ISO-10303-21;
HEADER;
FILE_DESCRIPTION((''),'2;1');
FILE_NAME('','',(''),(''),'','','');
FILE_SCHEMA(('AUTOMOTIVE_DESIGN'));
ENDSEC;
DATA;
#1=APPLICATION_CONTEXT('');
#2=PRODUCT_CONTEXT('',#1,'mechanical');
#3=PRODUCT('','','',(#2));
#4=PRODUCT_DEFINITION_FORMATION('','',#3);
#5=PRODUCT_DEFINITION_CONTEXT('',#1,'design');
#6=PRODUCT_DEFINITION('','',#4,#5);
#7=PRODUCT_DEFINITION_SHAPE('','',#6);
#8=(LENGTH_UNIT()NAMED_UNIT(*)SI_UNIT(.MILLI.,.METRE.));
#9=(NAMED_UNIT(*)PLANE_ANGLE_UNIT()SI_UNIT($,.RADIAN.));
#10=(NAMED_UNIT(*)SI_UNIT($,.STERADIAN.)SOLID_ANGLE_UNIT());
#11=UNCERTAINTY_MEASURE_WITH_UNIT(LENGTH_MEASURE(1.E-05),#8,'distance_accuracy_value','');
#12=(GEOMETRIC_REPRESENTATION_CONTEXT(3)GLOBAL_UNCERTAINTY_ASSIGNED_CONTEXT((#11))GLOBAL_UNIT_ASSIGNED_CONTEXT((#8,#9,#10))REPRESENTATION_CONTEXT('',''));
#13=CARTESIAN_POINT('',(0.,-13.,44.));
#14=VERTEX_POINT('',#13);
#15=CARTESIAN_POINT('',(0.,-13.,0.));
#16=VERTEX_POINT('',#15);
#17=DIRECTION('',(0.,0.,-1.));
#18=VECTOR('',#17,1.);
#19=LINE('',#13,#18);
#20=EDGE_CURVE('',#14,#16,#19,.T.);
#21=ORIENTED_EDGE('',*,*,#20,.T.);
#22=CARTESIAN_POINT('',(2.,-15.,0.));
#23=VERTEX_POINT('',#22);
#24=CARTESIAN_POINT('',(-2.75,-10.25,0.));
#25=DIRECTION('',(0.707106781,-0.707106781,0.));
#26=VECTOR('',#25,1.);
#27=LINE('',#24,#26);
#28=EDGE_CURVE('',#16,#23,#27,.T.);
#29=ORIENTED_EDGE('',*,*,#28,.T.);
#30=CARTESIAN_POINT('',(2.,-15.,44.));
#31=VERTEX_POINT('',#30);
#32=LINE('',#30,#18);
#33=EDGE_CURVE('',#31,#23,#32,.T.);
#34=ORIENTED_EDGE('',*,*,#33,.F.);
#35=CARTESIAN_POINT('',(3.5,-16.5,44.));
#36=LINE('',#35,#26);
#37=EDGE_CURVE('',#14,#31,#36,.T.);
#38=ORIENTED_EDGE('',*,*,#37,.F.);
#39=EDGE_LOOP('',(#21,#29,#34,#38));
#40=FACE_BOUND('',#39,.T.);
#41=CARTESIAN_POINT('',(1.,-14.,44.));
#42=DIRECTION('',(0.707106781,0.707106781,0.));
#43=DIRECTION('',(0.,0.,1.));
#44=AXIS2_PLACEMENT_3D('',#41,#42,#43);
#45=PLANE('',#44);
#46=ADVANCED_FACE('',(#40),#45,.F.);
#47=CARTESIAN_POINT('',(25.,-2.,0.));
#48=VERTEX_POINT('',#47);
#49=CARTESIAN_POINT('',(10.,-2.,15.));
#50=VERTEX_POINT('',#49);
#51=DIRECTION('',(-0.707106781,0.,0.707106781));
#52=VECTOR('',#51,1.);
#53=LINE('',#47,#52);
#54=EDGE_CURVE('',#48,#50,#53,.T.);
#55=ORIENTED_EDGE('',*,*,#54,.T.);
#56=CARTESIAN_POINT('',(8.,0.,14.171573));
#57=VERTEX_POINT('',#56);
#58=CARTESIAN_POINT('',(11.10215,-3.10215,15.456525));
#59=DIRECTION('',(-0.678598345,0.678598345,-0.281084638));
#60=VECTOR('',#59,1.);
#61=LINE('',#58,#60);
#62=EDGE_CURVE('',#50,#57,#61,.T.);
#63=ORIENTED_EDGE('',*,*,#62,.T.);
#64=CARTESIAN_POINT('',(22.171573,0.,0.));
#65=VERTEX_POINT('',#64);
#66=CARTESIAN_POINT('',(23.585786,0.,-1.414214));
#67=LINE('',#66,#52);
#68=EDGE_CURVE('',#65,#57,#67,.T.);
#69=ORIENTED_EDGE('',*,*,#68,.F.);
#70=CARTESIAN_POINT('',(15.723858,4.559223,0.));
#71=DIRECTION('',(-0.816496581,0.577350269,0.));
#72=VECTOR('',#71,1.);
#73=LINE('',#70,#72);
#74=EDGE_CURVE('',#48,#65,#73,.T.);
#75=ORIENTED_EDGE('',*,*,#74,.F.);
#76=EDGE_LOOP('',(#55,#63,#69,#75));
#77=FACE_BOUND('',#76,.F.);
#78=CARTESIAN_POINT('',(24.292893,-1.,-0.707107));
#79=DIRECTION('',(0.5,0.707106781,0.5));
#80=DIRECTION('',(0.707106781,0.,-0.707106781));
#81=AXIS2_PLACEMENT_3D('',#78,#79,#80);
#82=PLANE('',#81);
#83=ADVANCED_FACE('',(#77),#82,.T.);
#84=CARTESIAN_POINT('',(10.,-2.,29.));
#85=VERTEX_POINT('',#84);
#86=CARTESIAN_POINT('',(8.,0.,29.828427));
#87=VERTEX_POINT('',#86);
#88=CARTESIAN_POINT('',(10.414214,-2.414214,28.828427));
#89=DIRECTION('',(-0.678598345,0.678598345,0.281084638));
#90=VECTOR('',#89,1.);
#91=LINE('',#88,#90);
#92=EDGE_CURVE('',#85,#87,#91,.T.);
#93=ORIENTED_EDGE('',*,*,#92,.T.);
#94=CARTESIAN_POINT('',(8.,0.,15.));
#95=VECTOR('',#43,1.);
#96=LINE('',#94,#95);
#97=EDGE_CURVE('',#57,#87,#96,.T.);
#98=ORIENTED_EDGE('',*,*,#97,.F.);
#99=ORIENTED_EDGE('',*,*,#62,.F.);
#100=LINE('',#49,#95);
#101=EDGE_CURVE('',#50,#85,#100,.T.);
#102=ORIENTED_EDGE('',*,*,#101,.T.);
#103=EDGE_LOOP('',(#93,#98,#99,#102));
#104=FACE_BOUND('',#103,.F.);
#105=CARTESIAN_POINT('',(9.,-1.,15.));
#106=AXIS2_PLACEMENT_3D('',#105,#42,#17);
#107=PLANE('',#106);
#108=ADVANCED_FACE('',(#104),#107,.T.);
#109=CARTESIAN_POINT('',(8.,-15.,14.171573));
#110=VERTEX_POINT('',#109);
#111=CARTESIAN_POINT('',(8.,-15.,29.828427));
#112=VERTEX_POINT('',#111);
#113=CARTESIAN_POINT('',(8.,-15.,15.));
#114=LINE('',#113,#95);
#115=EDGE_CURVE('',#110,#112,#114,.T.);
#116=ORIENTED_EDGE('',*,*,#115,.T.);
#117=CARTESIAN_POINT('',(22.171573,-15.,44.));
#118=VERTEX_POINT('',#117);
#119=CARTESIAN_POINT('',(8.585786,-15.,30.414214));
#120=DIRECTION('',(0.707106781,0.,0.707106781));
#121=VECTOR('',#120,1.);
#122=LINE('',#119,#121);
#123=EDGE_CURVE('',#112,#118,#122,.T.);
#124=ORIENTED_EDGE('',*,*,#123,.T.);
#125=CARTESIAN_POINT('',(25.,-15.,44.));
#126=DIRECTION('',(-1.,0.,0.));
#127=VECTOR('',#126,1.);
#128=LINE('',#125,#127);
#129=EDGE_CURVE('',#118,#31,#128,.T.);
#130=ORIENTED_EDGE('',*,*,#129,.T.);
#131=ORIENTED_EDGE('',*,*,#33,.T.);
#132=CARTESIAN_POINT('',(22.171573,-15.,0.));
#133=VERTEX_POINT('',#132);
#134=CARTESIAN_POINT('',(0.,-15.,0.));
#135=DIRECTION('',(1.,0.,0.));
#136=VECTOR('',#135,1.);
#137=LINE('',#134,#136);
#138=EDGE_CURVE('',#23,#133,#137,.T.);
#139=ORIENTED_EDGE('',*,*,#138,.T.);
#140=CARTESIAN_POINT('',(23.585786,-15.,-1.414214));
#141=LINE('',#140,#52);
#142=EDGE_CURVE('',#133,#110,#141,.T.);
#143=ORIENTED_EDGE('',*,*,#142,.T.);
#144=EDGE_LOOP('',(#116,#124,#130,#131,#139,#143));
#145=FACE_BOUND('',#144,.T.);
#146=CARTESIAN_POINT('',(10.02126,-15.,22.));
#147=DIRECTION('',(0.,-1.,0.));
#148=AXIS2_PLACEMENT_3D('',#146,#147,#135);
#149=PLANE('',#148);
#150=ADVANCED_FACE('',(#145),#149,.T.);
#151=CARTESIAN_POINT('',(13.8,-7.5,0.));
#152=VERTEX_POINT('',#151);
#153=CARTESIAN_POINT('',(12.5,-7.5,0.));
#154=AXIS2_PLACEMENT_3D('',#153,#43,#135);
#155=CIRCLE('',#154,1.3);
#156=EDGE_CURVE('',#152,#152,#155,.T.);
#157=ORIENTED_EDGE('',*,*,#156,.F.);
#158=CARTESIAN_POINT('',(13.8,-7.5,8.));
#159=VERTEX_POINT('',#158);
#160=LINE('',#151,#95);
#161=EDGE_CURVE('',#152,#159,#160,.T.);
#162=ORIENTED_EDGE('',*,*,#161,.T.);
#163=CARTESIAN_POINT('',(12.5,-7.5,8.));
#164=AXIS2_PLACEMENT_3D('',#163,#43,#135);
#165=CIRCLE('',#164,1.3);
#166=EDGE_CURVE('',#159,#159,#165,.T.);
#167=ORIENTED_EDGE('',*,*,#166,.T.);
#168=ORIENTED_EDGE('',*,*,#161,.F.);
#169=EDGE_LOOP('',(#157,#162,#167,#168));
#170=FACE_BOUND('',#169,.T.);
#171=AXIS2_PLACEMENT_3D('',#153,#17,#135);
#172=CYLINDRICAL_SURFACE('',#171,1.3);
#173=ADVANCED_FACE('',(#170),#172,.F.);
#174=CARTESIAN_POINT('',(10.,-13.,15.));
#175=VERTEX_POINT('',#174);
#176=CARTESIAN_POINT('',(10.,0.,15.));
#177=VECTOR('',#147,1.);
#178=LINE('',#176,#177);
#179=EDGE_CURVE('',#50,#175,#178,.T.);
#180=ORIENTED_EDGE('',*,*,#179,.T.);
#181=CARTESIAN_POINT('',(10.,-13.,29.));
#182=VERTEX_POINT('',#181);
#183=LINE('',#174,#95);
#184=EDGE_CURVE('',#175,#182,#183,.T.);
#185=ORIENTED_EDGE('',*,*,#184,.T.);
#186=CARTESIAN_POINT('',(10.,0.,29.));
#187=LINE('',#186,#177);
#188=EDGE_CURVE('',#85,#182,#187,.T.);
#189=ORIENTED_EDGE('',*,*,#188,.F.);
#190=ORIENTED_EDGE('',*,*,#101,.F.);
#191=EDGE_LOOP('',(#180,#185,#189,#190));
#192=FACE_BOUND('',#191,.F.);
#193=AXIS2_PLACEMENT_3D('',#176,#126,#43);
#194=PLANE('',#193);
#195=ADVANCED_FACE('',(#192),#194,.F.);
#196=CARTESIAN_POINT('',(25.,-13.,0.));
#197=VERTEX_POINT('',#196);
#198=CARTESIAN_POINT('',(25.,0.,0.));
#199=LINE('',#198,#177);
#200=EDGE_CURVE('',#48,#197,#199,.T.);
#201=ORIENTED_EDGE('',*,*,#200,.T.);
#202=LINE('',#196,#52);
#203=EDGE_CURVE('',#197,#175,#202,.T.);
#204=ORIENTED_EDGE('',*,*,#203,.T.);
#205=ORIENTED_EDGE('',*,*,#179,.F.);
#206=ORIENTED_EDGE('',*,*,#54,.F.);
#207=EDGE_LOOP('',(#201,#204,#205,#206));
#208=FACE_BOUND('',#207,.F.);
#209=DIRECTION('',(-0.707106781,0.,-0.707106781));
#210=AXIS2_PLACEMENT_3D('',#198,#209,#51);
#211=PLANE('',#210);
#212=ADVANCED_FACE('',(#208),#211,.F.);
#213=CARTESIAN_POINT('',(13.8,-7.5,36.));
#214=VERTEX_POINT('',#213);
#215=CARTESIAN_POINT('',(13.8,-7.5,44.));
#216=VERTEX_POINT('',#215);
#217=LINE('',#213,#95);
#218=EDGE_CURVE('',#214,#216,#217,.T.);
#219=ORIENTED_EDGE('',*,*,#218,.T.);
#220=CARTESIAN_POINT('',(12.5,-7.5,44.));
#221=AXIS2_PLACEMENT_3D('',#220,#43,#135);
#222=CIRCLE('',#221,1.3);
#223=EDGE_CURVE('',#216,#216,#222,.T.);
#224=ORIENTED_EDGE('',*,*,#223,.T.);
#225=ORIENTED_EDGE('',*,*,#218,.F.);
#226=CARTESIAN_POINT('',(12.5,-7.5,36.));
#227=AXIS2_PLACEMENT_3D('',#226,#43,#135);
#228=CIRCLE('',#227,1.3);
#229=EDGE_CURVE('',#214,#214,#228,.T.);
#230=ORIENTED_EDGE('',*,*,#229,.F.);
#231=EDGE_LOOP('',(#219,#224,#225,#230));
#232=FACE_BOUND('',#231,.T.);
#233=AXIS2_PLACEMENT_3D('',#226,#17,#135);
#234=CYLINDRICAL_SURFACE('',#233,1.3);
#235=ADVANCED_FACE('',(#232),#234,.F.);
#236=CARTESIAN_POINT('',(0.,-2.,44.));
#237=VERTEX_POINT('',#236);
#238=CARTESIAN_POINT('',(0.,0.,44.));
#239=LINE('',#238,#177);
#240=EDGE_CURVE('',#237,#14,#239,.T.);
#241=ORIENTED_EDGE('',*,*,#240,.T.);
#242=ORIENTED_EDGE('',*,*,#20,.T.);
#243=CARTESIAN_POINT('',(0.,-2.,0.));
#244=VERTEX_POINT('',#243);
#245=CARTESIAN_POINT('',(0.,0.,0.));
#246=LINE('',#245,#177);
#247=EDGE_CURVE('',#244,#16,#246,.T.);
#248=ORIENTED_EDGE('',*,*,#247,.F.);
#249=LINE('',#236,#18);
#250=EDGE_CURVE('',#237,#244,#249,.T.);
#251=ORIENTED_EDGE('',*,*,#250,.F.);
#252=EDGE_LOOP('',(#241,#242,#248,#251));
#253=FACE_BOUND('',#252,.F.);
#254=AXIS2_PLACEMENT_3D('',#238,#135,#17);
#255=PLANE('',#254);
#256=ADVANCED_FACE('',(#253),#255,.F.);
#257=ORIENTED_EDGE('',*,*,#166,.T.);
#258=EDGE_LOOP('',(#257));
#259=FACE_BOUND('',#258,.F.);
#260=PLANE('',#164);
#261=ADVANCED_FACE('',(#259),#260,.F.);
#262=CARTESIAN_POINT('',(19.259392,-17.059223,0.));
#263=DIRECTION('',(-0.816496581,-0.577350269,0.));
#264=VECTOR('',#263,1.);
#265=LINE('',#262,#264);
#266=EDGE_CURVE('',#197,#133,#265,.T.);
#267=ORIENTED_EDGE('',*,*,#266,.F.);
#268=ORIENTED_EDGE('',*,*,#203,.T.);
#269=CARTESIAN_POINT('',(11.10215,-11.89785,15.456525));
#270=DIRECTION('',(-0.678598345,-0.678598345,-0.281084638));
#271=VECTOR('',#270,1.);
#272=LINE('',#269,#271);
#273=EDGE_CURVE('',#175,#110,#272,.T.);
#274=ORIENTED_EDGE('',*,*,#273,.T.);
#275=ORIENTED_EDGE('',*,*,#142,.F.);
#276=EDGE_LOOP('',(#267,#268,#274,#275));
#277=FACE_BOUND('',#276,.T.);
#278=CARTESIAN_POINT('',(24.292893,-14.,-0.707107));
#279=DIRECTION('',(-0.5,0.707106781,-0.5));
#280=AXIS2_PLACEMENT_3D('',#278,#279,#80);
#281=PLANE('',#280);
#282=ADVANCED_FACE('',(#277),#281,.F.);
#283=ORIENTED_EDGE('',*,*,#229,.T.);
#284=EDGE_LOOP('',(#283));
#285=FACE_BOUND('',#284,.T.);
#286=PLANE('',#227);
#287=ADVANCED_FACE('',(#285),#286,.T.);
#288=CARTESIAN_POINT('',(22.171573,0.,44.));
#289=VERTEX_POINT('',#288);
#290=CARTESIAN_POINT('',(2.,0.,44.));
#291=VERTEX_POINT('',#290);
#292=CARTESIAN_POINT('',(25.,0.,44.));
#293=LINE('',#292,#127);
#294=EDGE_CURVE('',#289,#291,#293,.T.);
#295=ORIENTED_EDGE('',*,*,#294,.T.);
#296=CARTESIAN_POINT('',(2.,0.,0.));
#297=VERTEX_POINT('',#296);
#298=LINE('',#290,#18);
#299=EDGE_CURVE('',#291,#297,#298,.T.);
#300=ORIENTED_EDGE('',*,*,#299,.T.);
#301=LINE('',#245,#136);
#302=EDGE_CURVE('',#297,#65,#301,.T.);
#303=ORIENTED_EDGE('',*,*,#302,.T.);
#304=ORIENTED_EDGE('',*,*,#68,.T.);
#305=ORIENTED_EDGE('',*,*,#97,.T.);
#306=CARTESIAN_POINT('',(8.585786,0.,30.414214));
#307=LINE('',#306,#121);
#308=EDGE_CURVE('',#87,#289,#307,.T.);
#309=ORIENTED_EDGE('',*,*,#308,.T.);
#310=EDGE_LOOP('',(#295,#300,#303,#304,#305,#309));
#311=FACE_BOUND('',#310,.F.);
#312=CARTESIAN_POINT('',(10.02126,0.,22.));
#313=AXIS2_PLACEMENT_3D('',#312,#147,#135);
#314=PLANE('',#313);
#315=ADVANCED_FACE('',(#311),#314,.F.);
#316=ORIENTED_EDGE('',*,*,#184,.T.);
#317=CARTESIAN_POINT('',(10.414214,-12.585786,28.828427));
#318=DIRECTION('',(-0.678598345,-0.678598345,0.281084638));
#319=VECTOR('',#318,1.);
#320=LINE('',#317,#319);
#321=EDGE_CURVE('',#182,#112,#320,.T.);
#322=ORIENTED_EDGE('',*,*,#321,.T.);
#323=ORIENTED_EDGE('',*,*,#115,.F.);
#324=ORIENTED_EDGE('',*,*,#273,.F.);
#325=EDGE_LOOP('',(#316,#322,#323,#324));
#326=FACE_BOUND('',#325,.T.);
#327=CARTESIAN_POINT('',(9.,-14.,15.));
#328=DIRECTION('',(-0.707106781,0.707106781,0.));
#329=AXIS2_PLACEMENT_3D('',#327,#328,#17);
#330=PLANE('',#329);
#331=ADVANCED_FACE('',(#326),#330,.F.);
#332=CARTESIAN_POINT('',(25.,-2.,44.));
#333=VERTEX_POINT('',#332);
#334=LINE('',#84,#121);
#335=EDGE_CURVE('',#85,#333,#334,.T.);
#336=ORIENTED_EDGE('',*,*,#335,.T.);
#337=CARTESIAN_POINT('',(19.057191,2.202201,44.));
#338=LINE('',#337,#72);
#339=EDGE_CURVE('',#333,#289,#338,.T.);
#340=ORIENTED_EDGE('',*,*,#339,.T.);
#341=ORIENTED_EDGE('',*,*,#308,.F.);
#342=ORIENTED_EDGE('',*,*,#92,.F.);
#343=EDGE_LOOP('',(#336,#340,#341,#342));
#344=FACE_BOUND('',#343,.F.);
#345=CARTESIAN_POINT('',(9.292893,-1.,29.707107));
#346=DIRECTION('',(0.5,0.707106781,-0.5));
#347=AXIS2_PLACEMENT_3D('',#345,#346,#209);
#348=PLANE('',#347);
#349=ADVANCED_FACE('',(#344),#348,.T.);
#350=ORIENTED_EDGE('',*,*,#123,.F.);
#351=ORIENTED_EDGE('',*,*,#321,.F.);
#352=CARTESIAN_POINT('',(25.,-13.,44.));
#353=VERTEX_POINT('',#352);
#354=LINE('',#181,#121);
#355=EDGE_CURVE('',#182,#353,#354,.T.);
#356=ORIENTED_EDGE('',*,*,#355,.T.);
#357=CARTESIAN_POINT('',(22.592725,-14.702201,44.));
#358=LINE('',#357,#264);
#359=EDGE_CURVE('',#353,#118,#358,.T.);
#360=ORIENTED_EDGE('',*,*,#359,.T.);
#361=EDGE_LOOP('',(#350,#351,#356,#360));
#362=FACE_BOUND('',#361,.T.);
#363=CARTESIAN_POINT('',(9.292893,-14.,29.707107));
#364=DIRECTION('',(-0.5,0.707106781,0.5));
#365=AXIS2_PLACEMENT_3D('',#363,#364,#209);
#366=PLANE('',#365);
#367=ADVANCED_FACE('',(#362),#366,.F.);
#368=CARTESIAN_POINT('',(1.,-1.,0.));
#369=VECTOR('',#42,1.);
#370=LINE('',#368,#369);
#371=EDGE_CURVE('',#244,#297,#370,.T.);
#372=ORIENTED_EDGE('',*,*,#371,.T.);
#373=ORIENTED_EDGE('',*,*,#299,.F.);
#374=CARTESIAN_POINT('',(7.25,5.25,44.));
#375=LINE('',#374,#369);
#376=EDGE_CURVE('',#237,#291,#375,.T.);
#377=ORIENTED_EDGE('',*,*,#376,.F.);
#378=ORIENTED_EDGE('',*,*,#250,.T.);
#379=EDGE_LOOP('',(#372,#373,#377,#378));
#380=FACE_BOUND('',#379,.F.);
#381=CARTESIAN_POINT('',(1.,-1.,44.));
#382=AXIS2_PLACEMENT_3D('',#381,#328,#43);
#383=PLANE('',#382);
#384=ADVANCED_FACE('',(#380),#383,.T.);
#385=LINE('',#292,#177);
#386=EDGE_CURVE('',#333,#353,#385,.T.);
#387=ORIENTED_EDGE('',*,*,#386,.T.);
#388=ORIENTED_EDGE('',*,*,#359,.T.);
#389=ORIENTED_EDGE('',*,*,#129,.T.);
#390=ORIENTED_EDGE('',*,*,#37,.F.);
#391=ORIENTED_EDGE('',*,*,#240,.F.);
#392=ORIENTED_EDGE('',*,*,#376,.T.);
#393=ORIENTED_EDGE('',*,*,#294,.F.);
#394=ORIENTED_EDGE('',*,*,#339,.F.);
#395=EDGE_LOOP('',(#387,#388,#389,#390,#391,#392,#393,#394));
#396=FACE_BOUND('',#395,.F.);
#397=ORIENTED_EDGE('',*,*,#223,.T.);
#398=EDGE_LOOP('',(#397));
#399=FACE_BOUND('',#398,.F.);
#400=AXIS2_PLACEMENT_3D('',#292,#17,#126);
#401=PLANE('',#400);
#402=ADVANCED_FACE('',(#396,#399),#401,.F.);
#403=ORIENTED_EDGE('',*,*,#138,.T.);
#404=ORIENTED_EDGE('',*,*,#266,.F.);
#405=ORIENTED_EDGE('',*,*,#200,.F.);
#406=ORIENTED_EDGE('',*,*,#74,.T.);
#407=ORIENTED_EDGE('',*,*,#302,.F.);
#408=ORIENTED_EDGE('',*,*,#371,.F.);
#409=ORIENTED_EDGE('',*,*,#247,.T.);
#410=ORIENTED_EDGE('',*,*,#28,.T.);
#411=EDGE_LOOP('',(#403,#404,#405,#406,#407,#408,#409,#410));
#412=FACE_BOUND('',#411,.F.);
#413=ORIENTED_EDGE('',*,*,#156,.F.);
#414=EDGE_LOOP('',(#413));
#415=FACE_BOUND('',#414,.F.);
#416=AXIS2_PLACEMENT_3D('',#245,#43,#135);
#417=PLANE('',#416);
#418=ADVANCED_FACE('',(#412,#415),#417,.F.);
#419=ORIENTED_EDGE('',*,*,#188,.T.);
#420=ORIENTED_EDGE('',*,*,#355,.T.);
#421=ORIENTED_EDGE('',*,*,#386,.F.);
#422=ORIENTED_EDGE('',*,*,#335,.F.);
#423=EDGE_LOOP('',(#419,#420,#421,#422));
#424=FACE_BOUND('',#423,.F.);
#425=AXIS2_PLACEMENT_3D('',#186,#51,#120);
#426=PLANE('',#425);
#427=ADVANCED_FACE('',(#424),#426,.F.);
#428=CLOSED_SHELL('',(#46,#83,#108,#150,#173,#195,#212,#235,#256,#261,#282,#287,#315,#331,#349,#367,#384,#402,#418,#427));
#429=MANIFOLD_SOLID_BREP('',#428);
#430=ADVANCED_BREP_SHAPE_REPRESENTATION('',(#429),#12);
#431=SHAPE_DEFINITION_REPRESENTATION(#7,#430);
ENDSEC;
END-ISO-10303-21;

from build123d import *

# Parameters (mm, degrees)
CYLINDER_R        = 1.3
CYLINDER_DEPTH    = 8
CYLINDER001_R     = 1.3
CYLINDER001_DEPTH = 8
EXTRUDE_DEPTH     = 15
CHAMFER_SIZE      = 2


with BuildPart() as cylinder000:
    # Cylinder → Cylinder (new body)
    with BuildSketch(Plane(origin=(12.5, -7.5, 0), x_dir=(1, 0, 0), z_dir=(0, 0, 1))):
        Circle(CYLINDER_R)
    extrude(amount=CYLINDER_DEPTH)


with BuildPart() as fusion:
    # Cylinder001 → Cylinder001 (new body)
    with BuildSketch(Plane(origin=(12.5, -7.5, 36), x_dir=(1, 0, 0), z_dir=(0, 0, 1))):
        Circle(CYLINDER001_R)
    extrude(amount=CYLINDER001_DEPTH)

    # Fusion: union Cylinder000
    add(cylinder000.part)


with BuildPart() as cut:
    # Sketch → Extrude (new body)
    with BuildSketch(Plane.XZ):
        Polygon((0, 0), (25, 0), (10, 15), (10, 29), (25, 44), (0, 44), align=None)
    extrude(amount=EXTRUDE_DEPTH)

    # Chamfer
    chamfer_edges = [cut.edges().sort_by_distance(p)[0] for p in [
        (0, 0, 22),
        (0, -15, 22),
        (17.5, 0, 7.5),
        (17.5, -15, 7.5),
        (10, 0, 22),
        (10, -15, 22),
        (17.5, 0, 36.5),
        (17.5, -15, 36.5),
    ]]
    chamfer(chamfer_edges, length=CHAMFER_SIZE)

    # Cut: cut Fusion
    add(fusion.part, mode=Mode.SUBTRACT)


solid = cut.part
